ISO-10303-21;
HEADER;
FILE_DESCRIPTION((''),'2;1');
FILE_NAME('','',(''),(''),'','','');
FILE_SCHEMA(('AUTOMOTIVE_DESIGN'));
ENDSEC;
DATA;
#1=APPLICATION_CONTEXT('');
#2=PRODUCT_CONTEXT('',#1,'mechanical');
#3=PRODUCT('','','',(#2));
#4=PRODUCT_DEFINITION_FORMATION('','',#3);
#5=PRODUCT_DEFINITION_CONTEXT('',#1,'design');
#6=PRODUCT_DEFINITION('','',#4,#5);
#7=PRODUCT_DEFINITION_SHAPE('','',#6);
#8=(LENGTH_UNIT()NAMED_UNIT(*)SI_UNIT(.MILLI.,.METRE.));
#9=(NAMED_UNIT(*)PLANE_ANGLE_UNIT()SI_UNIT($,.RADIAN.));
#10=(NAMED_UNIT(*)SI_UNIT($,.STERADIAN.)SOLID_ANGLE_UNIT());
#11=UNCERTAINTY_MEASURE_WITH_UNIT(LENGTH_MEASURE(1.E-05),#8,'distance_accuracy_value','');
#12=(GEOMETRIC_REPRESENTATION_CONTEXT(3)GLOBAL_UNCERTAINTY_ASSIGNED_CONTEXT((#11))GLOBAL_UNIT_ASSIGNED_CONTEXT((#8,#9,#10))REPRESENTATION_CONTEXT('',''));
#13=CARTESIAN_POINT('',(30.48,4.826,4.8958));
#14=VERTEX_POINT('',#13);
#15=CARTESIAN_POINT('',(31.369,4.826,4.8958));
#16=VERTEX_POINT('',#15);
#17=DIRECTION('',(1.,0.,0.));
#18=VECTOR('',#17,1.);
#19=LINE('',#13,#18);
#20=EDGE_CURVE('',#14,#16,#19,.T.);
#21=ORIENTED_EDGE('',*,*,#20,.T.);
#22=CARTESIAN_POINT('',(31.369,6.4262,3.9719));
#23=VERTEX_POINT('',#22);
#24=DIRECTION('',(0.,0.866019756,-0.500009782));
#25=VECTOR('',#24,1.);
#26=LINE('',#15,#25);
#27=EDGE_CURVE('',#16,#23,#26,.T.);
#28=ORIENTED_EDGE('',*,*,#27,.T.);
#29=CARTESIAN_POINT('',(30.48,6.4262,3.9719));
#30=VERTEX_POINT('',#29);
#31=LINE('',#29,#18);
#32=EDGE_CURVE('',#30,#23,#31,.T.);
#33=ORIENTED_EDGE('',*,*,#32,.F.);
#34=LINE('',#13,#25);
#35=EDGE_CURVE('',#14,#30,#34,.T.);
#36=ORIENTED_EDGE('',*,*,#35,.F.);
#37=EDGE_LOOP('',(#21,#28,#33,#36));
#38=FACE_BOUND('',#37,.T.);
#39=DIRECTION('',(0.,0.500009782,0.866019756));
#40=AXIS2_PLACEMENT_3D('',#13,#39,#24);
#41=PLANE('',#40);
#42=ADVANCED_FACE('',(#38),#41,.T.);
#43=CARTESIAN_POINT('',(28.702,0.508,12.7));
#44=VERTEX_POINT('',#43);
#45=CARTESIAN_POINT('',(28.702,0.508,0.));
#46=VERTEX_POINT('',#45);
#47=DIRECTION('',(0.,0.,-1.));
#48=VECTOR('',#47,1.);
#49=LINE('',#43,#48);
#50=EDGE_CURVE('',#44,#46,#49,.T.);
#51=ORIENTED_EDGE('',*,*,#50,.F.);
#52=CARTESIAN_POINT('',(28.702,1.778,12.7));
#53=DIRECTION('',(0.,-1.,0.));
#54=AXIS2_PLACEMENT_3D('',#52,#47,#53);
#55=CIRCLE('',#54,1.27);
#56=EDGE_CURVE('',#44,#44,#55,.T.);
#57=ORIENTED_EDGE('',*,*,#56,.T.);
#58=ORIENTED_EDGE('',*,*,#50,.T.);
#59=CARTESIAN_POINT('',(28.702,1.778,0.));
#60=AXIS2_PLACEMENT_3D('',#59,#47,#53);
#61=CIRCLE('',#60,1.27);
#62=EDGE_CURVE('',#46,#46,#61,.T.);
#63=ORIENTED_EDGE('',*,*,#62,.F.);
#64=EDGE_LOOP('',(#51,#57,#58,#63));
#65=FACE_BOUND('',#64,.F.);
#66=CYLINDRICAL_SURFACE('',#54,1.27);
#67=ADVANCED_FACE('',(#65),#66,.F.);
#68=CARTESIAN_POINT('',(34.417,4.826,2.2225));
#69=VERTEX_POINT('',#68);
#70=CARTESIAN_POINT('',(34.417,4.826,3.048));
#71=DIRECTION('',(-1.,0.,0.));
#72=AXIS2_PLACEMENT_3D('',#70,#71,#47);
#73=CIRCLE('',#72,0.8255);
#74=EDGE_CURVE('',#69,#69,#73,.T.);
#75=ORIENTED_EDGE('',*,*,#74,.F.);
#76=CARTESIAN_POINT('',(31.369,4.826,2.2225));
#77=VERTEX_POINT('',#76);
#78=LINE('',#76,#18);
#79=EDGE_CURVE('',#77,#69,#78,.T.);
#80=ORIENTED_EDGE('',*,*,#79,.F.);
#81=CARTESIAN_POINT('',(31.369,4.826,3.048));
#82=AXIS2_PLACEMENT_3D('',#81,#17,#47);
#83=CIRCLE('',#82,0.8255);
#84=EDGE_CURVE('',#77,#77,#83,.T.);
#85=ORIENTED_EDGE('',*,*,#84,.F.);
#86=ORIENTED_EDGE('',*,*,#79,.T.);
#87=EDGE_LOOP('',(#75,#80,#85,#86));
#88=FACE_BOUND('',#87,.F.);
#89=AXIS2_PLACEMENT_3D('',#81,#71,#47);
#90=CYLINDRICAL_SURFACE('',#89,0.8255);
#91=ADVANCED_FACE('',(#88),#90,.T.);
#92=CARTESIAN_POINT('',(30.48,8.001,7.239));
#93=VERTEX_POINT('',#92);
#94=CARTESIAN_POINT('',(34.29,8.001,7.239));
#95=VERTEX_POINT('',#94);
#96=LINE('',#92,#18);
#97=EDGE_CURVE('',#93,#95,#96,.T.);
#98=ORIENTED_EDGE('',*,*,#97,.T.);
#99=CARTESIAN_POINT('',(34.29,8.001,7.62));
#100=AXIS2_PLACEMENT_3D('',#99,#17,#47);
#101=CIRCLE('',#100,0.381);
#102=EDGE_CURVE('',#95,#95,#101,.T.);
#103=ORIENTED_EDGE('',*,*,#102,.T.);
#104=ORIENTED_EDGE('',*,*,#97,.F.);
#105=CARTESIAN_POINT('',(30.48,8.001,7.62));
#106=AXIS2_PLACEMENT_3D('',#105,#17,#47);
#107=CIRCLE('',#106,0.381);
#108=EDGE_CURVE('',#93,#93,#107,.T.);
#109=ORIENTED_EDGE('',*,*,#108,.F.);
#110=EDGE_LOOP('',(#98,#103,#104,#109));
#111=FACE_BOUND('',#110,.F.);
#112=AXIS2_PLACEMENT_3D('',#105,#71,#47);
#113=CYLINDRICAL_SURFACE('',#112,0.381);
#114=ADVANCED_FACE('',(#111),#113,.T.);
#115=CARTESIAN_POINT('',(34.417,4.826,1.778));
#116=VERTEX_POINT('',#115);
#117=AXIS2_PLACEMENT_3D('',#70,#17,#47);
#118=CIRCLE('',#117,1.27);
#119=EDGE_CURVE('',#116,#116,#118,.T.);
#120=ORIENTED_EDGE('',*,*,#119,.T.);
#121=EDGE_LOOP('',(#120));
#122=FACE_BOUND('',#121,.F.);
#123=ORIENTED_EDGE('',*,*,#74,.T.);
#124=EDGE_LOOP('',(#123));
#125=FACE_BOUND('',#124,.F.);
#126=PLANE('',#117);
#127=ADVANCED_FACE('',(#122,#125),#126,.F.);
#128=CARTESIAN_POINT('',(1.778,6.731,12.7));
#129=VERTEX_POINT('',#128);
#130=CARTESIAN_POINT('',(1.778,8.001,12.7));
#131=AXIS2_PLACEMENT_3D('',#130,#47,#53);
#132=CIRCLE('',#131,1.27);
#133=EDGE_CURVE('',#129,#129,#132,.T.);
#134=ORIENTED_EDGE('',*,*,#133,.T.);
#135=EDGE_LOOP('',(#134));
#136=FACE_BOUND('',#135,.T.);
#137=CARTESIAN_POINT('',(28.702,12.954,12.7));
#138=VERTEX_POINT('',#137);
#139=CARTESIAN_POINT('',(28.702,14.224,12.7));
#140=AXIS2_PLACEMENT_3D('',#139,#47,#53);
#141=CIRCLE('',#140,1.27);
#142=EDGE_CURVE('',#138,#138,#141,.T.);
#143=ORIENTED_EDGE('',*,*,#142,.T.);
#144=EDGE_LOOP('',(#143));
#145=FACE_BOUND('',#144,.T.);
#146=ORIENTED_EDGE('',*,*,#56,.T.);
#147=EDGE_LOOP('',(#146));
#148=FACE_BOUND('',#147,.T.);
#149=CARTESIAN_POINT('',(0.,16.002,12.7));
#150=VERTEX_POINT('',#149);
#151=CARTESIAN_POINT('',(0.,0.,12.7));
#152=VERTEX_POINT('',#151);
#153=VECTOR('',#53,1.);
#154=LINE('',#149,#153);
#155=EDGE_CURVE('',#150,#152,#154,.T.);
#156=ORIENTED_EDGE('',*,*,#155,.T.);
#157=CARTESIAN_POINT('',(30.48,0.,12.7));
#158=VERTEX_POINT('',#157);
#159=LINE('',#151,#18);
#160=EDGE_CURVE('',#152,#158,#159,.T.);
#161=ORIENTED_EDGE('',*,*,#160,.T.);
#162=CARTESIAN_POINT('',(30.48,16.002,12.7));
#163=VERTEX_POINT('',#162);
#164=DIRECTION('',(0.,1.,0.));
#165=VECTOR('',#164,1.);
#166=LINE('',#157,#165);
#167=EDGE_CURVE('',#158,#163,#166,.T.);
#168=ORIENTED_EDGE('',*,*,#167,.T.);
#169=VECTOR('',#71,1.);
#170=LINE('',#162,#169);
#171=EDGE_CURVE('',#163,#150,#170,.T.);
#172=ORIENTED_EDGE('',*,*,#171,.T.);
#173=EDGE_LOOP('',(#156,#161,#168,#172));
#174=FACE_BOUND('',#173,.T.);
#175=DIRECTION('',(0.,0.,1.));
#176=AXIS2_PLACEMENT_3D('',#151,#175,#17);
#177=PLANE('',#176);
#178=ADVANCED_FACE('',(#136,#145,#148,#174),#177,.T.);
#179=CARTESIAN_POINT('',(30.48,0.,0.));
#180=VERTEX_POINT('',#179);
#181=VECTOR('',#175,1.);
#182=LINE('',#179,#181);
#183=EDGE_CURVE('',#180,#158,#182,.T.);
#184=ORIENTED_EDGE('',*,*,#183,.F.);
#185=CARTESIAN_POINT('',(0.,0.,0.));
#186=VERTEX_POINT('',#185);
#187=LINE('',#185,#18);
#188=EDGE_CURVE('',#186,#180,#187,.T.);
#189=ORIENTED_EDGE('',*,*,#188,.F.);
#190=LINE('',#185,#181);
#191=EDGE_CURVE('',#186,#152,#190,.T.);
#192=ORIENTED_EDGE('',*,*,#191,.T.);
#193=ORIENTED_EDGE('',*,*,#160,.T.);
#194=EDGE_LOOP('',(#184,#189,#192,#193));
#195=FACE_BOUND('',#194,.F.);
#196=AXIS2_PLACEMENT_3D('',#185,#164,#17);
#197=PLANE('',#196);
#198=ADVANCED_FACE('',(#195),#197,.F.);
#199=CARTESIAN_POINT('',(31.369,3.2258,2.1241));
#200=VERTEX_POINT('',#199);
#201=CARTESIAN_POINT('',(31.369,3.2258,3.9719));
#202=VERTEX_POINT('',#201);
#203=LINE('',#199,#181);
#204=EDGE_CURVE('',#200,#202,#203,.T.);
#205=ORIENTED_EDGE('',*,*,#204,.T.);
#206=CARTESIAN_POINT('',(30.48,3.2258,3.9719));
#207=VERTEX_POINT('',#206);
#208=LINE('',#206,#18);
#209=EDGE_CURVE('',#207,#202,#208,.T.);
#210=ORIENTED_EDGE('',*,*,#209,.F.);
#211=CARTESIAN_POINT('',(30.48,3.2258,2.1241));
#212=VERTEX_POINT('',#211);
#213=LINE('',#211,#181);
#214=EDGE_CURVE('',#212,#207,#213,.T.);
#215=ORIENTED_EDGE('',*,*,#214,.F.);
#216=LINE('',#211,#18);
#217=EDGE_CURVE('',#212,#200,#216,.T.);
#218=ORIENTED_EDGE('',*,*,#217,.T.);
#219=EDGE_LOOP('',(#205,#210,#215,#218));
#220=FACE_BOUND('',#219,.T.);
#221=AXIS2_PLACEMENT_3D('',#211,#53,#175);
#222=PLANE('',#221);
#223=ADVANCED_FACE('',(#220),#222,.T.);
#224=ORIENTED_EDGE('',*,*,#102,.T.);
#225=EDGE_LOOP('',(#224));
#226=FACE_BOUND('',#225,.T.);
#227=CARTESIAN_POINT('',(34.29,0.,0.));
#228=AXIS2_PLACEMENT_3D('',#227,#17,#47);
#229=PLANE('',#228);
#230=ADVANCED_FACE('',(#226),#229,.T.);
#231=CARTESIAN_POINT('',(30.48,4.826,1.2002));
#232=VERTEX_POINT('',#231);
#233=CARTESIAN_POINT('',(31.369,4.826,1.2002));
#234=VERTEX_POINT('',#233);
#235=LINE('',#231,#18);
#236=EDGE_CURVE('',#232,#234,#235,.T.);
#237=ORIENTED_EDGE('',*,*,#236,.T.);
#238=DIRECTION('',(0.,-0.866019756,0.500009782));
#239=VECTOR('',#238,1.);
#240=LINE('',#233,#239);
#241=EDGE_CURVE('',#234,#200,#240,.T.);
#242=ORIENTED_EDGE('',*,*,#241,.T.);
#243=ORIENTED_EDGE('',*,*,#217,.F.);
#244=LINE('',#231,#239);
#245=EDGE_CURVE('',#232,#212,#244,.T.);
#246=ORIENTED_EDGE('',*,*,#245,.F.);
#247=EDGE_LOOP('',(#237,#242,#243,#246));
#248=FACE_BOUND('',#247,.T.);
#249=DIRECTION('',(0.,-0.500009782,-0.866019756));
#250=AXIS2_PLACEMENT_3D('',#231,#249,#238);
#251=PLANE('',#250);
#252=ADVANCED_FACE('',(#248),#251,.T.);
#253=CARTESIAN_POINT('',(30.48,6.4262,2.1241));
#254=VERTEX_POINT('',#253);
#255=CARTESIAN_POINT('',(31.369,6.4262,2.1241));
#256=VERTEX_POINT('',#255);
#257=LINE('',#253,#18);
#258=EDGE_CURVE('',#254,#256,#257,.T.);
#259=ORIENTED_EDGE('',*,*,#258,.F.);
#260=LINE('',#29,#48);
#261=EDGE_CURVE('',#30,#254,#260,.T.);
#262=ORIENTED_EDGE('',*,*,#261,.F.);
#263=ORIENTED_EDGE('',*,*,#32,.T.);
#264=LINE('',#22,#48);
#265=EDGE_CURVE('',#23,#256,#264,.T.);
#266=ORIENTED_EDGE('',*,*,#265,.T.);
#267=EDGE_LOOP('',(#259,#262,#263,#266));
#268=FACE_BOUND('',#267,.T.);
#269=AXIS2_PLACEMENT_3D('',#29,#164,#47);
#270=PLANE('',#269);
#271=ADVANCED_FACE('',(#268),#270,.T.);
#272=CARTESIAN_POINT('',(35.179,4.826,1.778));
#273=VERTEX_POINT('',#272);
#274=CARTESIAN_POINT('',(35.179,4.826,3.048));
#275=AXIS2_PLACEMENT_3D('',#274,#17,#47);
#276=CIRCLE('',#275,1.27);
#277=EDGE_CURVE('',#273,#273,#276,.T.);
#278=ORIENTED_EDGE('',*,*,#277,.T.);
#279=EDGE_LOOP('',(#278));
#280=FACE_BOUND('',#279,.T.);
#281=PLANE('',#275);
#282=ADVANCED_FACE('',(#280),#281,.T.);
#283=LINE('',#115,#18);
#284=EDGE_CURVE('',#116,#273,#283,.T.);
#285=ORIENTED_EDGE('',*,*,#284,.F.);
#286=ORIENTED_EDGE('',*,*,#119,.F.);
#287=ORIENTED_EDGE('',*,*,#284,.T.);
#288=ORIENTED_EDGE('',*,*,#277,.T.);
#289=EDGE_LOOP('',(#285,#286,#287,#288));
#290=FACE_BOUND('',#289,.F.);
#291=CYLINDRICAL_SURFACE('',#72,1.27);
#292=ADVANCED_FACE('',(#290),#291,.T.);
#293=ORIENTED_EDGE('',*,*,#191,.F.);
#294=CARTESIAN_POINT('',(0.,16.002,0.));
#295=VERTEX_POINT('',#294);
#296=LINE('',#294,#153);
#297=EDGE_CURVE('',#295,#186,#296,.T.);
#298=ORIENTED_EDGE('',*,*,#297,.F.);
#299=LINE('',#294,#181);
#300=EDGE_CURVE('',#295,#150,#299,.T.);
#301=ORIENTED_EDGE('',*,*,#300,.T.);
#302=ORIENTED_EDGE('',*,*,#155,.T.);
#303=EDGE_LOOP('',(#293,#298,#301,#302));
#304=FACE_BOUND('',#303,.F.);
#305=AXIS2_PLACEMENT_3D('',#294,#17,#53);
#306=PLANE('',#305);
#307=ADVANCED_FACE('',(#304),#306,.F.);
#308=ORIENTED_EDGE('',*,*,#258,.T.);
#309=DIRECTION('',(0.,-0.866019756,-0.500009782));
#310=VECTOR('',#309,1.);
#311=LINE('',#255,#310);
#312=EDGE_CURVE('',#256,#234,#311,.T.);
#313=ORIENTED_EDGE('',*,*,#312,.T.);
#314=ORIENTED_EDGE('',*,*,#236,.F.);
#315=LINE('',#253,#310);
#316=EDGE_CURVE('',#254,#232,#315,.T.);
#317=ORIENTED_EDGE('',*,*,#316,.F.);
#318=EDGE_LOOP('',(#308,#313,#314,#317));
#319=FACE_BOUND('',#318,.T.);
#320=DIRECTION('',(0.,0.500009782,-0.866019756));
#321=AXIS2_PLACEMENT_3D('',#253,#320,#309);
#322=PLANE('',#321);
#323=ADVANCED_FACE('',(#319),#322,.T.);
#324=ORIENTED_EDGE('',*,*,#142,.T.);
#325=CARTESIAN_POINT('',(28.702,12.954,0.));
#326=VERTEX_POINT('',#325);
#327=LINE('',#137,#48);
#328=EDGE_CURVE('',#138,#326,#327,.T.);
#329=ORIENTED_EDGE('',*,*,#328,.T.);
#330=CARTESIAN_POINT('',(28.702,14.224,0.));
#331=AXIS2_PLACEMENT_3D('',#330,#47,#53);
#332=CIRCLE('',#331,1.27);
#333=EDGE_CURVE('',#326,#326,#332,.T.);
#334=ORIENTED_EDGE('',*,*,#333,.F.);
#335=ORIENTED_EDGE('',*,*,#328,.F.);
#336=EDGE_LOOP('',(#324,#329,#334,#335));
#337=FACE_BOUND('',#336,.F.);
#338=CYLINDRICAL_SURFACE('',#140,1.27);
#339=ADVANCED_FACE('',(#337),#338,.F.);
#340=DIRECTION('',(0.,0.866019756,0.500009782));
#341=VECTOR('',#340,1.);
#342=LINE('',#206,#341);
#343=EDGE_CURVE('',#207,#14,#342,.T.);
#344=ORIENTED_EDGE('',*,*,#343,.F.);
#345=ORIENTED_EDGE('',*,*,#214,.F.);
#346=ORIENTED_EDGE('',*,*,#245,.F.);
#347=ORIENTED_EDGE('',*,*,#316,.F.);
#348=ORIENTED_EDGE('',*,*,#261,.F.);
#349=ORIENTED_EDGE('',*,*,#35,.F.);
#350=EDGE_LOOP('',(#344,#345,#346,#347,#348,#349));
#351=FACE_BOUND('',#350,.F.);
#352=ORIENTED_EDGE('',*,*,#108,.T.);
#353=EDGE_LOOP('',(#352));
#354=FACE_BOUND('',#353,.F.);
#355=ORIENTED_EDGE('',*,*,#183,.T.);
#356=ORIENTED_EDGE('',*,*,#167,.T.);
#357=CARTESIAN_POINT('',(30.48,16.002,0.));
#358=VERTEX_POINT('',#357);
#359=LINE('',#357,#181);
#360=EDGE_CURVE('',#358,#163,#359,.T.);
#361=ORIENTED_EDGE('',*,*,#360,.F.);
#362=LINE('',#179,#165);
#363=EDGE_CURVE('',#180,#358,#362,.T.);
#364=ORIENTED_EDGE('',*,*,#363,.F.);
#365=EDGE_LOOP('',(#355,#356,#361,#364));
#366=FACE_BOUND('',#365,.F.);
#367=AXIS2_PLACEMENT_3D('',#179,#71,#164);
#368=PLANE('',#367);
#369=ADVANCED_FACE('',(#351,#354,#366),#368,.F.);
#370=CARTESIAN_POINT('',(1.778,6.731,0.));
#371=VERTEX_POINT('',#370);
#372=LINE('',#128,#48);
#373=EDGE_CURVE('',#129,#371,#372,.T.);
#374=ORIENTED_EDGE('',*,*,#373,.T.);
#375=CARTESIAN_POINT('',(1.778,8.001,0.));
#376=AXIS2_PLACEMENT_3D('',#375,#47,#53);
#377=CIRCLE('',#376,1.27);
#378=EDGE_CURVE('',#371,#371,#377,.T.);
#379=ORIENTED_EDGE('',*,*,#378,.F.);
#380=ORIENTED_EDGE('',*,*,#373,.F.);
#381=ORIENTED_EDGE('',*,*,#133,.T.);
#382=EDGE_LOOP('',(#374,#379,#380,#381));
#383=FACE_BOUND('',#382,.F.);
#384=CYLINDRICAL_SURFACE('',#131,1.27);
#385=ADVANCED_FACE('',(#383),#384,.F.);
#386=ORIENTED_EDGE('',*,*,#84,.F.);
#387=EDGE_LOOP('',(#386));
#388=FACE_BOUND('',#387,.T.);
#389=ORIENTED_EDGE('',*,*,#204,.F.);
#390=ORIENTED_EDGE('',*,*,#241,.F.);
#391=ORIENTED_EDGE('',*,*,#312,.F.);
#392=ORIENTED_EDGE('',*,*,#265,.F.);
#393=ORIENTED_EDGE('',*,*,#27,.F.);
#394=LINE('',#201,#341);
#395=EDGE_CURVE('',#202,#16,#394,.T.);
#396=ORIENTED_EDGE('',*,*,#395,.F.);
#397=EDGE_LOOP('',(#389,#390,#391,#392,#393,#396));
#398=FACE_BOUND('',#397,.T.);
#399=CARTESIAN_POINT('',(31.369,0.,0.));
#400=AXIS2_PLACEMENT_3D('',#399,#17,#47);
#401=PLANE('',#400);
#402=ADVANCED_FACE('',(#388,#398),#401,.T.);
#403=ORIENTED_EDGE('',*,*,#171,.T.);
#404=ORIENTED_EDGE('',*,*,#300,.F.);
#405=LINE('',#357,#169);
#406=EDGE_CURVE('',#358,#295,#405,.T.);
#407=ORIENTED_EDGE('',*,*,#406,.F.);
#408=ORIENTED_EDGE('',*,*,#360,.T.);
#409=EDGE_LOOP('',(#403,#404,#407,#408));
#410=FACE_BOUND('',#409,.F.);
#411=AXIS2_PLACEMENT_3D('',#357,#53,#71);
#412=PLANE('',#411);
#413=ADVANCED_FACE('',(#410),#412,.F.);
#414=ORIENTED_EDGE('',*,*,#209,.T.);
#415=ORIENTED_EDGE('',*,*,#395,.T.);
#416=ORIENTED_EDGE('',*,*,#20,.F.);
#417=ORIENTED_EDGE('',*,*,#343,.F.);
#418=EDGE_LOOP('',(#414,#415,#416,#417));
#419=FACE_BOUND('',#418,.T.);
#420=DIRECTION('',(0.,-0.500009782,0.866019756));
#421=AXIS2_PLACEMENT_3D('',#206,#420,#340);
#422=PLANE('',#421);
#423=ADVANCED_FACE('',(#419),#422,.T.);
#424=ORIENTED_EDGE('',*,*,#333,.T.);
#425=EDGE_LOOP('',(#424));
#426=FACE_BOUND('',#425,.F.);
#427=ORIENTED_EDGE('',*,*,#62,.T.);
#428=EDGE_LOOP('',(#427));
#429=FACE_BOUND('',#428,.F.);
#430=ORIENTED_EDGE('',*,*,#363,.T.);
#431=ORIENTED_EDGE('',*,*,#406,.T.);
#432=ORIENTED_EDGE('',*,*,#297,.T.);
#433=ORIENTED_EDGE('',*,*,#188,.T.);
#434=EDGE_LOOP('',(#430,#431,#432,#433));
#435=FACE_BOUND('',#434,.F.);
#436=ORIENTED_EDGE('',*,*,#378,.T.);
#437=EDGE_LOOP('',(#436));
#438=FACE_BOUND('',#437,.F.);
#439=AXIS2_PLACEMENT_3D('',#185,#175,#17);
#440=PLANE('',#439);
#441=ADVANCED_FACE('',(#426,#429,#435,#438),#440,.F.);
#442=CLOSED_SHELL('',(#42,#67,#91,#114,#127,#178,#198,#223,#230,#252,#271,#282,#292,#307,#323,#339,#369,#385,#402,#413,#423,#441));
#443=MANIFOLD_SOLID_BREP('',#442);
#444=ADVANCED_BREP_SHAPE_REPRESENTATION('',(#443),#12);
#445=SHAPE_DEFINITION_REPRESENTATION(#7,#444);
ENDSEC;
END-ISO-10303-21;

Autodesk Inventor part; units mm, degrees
ref_plane "YZ Plane" through (0, 0, 0) normal (1, 0, 0) x (0, 1, 0)
ref_plane "XZ Plane" through (0, 0, 0) normal (0, 1, 0) x (-1, 0, 0)
ref_plane "XY Plane" through (0, 0, 0) normal (0, 0, 1) x (1, 0, 0)
sketch "Sketch1" plane through (0, 0, 0) normal (0, 0, 1) x (1, 0, 0)
  line L0 (0, 0) -> (30.48, 0)
  line L1 (30.48, 0) -> (30.48, 16.002)
  line L2 (30.48, 16.002) -> (0, 16.002)
  line L3 (0, 16.002) -> (0, 0)
  dimension "d0" = 30.48
  dimension "d1" = 16.002
extrude "Extrusion1" add sketch "Sketch1" along normal blind 12.7
sketch "Sketch2" plane through (0, 0, 12.7) normal (0, 0, 1) x (1, 0, 0)
  line L0 (0, 0) -> (30.48, 0) projected
  line L1 (0, 16.002) -> (0, 0) projected
  point P0 (1.778, 8.001)
  point P1 (28.702, 14.224)
  point P2 (28.702, 1.778)
  dimension "d4" = 26.924
  dimension "d5" = 8.001
  dimension "d6" = 1.778
  dimension "d7" = 1.778
  dimension "d8" = 12.446
hole "Hole1" at (1.778, 8.001, 12.7) at (28.702, 14.224, 12.7) at (28.702, 1.778, 12.7) direction (0, 0, -1) diameter 2.54 end through all
sketch "Sketch3" plane through (30.48, 0, 0) normal (1, 0, 0) x (0, 0, -1)
  circle A0 centre (-7.62, 8.001) radius 0.381
  line L0 (-12.7, 0) -> (-12.7, 16.002) projected
  line L1 (0, 0) -> (-12.7, 0) projected
  dimension "d17" = 0.762
  dimension "d18" = 5.08
  dimension "d19" = 8.001
extrude "Extrusion2" add sketch "Sketch3" along normal blind 3.81
sketch "Sketch4" plane through (30.48, 0, 0) normal (1, 0, 0) x (0, 0, -1)
  line L0 (-4.8958, 4.826) -> (-3.9719, 6.4262)
  line L1 (-3.9719, 6.4262) -> (-2.1241, 6.4262)
  line L2 (-2.1241, 6.4262) -> (-1.2002, 4.826)
  line L3 (-1.2002, 4.826) -> (-2.1241, 3.2258)
  line L4 (-2.1241, 3.2258) -> (-3.9719, 3.2258)
  line L5 (-3.9719, 3.2258) -> (-4.8958, 4.826)
  line L6 (-3.9719, 3.2258) -> (-2.1241, 6.4262) construction
  line L7 (-2.1241, 3.2258) -> (-3.9719, 6.4262) construction
  line L8 (-12.7, 0) -> (-12.7, 16.002) projected
  line L9 (0, 0) -> (-12.7, 0) projected
  point P0 (-3.048, 4.826)
  point P1 (-3.048, 4.826)
  dimension "d22" = 120
  dimension "d23" = 9.652
  dimension "d24" = 4.826
  dimension "d25" = 3.2004
extrude "Extrusion3" add sketch "Sketch4" along normal blind 0.889
sketch "Sketch5" plane through (31.369, 0, 0) normal (1, 0, 0) x (0, 0, -1)
  line L0 (-3.9719, 3.2258) -> (-2.1241, 3.2258) projected
  line L1 (-1.2002, 4.826) -> (-2.1241, 6.4262) projected
  line L2 (-3.9719, 3.2258) -> (-2.1241, 6.4262)
  line L3 (-1.2002, 4.826) -> (-4.8958, 4.826)
  circle A0 centre (-3.048, 4.826) radius 0.8255
  point P0 (0, 0)
  dimension "d28" = 1.651
extrude "Extrusion4" add sketch "Sketch5" along normal blind 3.048 contours A0 L2 L3 | L3 L2 A0 | L2 L3 A0 | L2 A0 L3
sketch "Sketch6" plane through (34.417, 4.826, 3.048) normal (1, 0, 0) x (0, 0, -1)
  circle A0 centre (0, 0) radius 1.27
  circle A1 centre (0, 0) radius 0.8255 projected
  point P0 (3.048, -4.826)
  dimension "d31" = 2.54
extrude "Extrusion5" add sketch "Sketch6" along normal blind 0.762 contours A0 | A1
properties part number "BTBody"
